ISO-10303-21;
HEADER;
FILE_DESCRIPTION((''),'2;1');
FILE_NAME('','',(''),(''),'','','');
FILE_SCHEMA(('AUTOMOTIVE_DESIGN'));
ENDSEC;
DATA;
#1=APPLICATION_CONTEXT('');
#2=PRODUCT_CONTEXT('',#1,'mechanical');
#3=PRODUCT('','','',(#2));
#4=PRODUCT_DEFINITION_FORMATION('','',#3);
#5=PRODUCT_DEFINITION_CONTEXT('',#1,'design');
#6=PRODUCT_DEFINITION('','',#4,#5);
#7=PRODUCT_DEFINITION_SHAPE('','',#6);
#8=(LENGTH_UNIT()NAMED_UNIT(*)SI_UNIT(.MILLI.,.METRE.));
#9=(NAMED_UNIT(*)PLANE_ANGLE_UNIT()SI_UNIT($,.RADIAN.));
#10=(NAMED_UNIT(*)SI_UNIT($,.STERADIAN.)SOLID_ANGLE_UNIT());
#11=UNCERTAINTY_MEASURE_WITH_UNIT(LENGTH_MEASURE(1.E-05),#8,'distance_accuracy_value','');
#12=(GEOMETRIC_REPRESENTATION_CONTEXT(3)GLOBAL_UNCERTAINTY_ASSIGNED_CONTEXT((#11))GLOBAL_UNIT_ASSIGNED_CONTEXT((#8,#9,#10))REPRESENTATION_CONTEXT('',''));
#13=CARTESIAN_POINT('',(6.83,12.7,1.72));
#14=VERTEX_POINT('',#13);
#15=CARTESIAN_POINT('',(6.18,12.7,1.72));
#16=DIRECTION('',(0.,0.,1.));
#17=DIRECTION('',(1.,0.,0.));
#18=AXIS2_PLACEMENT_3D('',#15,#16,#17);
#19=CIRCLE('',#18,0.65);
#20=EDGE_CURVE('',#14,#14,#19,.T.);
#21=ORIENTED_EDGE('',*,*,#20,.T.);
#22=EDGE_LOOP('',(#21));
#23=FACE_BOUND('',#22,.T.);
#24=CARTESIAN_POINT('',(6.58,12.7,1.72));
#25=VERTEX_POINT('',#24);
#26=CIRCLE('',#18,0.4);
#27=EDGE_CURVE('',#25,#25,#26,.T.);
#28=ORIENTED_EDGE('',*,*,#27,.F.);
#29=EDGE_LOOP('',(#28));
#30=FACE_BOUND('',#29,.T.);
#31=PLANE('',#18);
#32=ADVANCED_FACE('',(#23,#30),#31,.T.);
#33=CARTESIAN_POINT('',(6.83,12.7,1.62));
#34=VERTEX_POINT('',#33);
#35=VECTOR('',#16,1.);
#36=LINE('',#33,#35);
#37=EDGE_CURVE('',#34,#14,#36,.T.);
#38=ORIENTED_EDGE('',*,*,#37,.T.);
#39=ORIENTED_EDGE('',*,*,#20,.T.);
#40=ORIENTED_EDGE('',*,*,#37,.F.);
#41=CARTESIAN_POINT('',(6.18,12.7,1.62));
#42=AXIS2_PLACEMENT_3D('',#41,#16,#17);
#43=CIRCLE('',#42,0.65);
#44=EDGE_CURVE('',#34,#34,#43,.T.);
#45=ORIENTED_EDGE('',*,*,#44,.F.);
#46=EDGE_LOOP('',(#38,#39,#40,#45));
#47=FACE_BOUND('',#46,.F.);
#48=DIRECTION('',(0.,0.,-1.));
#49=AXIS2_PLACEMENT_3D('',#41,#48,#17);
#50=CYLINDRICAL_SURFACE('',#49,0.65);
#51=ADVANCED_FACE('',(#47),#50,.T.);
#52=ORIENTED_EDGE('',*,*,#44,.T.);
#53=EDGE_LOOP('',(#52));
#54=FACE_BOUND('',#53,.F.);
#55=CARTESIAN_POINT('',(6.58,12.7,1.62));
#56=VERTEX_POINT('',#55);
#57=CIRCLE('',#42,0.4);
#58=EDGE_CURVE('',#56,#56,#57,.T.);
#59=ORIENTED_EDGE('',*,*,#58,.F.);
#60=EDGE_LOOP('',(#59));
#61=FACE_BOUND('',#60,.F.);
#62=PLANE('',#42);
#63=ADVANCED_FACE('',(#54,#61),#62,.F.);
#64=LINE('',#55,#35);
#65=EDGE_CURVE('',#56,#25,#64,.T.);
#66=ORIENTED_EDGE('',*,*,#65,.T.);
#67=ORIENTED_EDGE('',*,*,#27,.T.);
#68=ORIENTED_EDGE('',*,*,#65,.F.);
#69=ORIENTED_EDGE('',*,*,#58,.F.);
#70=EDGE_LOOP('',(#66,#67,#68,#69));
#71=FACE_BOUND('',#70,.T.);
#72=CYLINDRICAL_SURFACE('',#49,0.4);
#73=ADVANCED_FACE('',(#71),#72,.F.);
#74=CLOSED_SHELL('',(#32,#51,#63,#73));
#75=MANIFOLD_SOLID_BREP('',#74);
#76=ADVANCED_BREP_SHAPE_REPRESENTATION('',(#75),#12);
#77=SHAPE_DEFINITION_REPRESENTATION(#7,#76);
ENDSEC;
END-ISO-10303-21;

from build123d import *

# Parameters (mm, degrees)
CYLINDER007_R     = 0.4
CYLINDER007_DEPTH = 0.1
CYLINDER006_R     = 0.65
CYLINDER006_DEPTH = 0.1


with BuildPart() as cylinder007:
    # Cylinder007 → Cylinder007 (new body)
    with BuildSketch(Plane.XY.offset(1.62)):
        Circle(CYLINDER007_R)
    extrude(amount=CYLINDER007_DEPTH)


with BuildPart() as cut007:
    # Cylinder006 → Cylinder006 (new body)
    with BuildSketch(Plane.XY.offset(1.62)):
        Circle(CYLINDER006_R)
    extrude(amount=CYLINDER006_DEPTH)

    # Cut007: cut Cylinder007
    add(cylinder007.part, mode=Mode.SUBTRACT)


with BuildPart() as cut007_1:
    # Cut007 placement: moved
    add(cut007.part.moved(Location((6.18, 12.7, 0))))


solid = cut007_1.part
